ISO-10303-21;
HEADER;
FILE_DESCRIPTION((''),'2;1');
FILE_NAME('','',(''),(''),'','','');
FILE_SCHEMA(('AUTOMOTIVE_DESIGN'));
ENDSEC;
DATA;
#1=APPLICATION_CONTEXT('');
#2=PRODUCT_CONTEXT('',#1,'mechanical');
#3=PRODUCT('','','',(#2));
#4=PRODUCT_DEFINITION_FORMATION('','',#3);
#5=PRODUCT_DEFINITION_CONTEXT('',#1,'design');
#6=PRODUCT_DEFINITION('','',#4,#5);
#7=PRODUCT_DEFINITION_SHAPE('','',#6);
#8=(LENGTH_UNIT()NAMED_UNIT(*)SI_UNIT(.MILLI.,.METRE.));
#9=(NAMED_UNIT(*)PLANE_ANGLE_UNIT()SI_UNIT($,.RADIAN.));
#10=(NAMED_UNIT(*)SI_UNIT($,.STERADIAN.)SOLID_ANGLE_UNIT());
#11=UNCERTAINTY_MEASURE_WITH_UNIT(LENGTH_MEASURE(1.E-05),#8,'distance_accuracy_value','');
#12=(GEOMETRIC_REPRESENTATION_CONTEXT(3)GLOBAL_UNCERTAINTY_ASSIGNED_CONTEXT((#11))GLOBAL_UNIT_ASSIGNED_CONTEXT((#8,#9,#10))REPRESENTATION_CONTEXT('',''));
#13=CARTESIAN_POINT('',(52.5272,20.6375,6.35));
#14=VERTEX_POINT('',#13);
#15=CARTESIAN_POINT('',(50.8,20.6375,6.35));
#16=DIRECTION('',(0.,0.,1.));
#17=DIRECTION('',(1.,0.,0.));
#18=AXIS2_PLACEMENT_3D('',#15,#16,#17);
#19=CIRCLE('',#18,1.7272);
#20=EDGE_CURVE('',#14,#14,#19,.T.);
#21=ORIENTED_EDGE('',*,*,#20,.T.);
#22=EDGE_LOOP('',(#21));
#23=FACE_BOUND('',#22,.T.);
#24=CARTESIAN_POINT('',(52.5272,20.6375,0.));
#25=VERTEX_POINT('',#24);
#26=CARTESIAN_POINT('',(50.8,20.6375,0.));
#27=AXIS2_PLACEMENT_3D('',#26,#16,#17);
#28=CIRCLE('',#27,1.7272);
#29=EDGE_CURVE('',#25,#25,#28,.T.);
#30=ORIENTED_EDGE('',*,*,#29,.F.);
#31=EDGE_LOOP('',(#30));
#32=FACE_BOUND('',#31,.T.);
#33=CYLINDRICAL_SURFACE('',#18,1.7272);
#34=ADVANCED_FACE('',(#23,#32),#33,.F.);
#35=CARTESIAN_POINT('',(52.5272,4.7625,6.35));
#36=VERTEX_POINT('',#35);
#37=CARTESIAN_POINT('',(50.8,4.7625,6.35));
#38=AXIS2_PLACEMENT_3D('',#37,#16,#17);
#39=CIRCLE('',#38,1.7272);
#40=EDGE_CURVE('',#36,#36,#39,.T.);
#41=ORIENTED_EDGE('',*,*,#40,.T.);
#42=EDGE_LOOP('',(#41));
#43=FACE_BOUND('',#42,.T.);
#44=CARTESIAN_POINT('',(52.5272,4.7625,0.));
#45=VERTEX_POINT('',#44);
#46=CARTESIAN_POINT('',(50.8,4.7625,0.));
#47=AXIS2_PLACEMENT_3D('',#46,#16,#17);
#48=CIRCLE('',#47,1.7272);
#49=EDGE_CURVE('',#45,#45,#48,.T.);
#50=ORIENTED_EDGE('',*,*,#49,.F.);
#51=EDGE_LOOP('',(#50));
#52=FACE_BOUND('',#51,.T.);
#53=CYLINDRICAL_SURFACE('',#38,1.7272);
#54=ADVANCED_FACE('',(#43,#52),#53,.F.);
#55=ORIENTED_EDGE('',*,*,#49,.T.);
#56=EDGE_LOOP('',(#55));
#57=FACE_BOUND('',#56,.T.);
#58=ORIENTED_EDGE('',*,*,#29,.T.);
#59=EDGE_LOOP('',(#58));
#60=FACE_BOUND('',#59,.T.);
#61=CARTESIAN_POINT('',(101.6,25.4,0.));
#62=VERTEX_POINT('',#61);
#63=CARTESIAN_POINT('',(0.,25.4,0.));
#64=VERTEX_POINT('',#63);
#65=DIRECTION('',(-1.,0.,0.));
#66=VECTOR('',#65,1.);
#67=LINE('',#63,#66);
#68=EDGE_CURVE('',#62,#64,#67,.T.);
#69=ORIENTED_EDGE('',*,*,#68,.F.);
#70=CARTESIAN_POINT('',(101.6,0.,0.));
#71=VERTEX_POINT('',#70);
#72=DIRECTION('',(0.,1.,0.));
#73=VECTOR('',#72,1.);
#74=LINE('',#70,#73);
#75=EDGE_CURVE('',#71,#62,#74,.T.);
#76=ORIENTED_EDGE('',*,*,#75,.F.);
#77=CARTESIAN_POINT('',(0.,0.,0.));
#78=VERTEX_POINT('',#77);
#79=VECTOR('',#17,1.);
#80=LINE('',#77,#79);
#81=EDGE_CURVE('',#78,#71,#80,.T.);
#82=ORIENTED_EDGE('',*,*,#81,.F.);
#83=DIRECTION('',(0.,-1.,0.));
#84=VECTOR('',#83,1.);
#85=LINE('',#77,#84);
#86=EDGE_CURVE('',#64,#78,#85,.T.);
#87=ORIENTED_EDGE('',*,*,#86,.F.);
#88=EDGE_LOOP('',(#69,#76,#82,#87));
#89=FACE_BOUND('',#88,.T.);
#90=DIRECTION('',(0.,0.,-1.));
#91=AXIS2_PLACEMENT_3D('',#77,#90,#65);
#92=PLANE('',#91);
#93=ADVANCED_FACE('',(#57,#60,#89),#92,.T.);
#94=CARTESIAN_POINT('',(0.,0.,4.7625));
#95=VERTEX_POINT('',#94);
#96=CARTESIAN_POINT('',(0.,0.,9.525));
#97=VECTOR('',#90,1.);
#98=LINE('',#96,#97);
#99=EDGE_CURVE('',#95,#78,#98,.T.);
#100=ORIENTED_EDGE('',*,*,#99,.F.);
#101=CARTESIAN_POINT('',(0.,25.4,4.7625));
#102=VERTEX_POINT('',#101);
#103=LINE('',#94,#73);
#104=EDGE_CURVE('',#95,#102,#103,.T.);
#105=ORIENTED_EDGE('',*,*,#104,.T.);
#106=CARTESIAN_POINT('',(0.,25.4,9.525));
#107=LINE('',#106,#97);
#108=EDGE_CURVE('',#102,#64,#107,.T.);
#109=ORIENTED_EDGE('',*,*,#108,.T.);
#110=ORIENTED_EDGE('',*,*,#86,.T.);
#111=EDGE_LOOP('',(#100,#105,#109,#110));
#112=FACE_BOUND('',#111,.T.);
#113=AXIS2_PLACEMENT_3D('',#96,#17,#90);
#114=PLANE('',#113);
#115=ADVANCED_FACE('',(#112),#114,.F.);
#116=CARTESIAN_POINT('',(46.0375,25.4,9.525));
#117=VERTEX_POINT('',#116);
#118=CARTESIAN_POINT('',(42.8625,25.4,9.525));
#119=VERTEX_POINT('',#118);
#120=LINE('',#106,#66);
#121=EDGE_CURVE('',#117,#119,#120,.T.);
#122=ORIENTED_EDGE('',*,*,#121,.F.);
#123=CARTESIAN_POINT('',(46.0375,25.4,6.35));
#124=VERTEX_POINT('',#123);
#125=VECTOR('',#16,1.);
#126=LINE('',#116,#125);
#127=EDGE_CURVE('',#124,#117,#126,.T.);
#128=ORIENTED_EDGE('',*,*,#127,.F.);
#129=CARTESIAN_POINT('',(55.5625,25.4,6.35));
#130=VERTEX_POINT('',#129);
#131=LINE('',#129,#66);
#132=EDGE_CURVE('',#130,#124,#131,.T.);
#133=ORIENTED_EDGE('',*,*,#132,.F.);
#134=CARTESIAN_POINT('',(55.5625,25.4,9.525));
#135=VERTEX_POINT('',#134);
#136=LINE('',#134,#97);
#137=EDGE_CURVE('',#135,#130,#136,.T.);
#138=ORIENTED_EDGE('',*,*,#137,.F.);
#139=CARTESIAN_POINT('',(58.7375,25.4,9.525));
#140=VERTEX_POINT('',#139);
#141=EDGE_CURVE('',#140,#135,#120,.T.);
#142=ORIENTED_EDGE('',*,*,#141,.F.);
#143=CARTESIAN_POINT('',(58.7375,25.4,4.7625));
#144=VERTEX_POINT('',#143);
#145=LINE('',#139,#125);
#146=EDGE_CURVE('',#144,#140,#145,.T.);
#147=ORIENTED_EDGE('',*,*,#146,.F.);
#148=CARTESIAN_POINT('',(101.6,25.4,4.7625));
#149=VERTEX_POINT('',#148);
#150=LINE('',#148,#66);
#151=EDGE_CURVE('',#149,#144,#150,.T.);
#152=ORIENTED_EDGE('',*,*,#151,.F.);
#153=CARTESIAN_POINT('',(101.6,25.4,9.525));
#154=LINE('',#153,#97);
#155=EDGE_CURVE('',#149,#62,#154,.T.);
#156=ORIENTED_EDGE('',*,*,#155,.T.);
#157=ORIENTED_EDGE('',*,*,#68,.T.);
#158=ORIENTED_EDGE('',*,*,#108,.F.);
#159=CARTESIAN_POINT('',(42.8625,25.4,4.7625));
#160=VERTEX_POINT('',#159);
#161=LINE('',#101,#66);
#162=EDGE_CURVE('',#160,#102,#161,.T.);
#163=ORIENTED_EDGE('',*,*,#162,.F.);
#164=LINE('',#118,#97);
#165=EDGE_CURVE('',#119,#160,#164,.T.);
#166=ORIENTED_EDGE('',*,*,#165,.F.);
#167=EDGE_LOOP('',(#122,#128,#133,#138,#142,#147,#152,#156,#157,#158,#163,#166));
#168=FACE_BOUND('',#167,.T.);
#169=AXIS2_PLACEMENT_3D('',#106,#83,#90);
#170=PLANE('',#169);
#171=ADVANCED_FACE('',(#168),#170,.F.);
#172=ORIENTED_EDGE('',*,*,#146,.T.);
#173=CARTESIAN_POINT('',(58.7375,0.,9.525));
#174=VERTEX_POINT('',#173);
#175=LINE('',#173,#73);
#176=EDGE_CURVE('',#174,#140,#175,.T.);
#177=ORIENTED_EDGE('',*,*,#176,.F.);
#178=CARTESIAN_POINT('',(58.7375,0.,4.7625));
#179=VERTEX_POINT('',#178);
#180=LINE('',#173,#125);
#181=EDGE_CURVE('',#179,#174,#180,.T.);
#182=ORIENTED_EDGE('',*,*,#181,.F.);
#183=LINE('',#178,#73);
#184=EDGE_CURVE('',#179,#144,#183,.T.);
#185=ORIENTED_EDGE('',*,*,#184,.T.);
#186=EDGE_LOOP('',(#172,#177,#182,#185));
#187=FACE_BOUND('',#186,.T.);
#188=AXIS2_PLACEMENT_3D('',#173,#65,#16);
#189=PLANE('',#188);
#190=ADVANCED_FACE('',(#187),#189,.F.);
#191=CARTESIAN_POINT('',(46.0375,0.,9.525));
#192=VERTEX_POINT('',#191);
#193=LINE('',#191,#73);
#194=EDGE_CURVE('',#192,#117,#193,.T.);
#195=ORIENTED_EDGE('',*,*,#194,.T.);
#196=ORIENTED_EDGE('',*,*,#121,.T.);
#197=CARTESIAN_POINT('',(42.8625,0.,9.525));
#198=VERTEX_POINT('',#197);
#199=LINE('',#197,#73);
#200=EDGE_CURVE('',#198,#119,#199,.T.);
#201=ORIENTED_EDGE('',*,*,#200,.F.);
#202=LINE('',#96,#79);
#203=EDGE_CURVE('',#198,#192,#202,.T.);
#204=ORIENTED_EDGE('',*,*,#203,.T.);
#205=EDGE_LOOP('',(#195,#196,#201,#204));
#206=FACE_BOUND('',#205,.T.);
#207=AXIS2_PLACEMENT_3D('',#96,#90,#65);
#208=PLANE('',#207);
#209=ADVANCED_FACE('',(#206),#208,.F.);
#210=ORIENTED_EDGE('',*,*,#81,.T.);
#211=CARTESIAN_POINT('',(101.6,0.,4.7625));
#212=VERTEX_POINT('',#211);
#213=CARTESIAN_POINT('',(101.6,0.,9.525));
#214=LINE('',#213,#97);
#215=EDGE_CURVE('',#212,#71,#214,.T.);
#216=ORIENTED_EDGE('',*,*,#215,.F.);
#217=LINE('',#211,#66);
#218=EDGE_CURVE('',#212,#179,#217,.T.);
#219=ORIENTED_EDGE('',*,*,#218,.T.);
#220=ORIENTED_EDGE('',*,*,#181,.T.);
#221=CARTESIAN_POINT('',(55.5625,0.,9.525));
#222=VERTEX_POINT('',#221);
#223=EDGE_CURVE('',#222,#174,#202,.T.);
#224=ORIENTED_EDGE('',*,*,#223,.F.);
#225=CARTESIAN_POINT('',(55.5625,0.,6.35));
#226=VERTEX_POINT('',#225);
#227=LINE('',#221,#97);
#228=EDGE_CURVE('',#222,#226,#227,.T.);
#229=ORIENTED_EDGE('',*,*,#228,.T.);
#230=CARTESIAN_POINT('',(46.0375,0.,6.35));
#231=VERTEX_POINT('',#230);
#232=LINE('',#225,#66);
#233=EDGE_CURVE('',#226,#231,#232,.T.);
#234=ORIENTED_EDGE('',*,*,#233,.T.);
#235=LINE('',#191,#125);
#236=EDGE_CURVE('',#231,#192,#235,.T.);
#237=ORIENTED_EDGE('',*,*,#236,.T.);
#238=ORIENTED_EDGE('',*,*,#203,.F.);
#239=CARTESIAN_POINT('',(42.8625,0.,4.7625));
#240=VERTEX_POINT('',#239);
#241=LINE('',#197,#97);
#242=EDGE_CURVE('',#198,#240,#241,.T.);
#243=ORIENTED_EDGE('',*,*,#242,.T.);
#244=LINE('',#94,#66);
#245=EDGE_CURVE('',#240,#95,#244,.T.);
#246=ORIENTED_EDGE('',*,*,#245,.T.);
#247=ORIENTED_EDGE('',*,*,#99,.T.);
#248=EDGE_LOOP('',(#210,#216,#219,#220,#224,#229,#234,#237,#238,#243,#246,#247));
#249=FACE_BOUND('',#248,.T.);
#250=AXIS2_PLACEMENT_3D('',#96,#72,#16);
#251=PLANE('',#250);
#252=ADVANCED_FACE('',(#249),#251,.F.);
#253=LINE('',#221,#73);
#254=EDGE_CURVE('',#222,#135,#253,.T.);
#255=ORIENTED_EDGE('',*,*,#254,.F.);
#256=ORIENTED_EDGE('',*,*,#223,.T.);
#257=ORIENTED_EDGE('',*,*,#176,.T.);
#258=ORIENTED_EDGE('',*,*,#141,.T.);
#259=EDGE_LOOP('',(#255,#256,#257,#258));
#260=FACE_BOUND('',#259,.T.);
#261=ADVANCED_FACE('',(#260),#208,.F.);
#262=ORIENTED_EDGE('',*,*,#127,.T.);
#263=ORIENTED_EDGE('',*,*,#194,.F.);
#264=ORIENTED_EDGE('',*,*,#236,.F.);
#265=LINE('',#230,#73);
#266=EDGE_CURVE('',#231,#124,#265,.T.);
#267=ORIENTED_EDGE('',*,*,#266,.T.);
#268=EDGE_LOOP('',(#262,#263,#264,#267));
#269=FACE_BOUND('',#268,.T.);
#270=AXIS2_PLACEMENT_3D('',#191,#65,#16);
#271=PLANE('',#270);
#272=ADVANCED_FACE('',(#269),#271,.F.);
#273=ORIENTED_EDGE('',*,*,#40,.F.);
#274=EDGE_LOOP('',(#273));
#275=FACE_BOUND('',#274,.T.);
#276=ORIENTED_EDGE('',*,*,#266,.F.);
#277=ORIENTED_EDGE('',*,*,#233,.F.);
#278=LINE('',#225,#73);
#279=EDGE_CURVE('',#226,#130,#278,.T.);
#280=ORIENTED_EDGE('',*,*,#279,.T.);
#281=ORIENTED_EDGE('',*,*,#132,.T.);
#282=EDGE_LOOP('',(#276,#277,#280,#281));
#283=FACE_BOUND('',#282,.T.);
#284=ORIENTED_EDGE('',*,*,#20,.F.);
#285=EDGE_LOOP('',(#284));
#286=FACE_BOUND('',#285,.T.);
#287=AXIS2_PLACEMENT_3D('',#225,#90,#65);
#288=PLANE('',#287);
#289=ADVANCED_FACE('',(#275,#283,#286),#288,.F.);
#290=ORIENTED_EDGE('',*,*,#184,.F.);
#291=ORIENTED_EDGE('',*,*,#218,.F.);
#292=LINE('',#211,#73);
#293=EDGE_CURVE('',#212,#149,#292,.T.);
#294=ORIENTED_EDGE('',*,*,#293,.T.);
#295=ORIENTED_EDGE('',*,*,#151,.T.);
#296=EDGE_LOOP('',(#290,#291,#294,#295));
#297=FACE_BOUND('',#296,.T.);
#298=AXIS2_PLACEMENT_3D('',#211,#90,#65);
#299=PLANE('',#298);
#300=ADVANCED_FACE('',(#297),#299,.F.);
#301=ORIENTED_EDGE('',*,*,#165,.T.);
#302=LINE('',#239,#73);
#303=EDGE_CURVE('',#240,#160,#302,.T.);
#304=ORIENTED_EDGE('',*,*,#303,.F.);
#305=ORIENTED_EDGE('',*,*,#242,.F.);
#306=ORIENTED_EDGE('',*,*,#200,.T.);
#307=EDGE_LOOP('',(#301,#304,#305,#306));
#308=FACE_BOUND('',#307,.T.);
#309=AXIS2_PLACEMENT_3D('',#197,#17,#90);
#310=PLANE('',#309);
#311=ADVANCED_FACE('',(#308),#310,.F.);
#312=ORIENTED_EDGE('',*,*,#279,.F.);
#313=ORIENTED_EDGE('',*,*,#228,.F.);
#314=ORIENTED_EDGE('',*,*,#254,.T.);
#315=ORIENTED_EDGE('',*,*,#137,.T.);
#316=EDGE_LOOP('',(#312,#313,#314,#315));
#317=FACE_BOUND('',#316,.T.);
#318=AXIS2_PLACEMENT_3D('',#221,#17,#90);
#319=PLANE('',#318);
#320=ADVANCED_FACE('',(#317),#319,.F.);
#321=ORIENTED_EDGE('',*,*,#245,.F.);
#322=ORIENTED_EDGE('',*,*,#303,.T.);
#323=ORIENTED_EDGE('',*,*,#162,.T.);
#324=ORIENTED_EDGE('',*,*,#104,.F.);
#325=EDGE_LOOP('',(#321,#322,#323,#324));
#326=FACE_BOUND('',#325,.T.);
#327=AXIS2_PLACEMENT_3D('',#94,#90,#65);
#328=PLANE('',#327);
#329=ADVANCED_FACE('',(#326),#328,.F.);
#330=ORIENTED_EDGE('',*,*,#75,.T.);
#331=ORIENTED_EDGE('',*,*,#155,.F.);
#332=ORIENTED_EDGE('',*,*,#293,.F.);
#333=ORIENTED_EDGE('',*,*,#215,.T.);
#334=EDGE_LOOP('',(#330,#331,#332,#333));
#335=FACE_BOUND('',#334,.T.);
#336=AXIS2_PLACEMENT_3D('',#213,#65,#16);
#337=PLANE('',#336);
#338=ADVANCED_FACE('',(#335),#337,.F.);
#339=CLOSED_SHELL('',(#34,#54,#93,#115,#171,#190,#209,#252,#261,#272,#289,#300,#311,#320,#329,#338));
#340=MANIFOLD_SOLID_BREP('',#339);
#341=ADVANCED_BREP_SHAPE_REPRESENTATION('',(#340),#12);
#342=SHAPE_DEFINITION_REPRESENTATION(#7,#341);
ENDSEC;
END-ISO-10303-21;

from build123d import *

# Parameters (mm, degrees)
SKETCH1_W             = 101.6
SKETCH1_H             = 25.4
BOSS_EXTRUDE1_DEPTH   = 9.525
SKETCH2_W             = 9.525
SKETCH2_H             = 3.175
SKETCH2_W_2           = 42.8625
SKETCH2_H_2           = 4.7625
CUT_EXTRUDE1_DEPTH    = 106.159144277
F_8_32_TAPPED_HOLE1_D = 3.4544


with BuildPart() as part:
    # Sketch1 → Boss-Extrude1 (new body)
    with BuildSketch(Plane.XY):
        with Locations((50.8, 12.7)):
            Rectangle(SKETCH1_W, SKETCH1_H)
    extrude(amount=BOSS_EXTRUDE1_DEPTH)

    # Sketch2 → Cut-Extrude1 (cut, through all)
    with BuildSketch(Plane(origin=(0, 25.4, 0), x_dir=(1, 0, 0), z_dir=(0, 1, 0))):
        with Locations((50.8, -7.9375)):
            Rectangle(SKETCH2_W, SKETCH2_H)
        with Locations((21.43125, -7.14375)):
            Rectangle(SKETCH2_W_2, SKETCH2_H_2)
        with Locations((80.16875, -7.14375)):
            Rectangle(SKETCH2_W_2, SKETCH2_H_2)
    extrude(amount=-CUT_EXTRUDE1_DEPTH, mode=Mode.SUBTRACT)

    # #8-32 Tapped Hole1 (through all)
    with Locations(Plane.XY.offset(6.35)):
        with Locations((50.8, 4.7625), (50.8, 20.6375)):
            Hole(F_8_32_TAPPED_HOLE1_D / 2)


solid = part.part
